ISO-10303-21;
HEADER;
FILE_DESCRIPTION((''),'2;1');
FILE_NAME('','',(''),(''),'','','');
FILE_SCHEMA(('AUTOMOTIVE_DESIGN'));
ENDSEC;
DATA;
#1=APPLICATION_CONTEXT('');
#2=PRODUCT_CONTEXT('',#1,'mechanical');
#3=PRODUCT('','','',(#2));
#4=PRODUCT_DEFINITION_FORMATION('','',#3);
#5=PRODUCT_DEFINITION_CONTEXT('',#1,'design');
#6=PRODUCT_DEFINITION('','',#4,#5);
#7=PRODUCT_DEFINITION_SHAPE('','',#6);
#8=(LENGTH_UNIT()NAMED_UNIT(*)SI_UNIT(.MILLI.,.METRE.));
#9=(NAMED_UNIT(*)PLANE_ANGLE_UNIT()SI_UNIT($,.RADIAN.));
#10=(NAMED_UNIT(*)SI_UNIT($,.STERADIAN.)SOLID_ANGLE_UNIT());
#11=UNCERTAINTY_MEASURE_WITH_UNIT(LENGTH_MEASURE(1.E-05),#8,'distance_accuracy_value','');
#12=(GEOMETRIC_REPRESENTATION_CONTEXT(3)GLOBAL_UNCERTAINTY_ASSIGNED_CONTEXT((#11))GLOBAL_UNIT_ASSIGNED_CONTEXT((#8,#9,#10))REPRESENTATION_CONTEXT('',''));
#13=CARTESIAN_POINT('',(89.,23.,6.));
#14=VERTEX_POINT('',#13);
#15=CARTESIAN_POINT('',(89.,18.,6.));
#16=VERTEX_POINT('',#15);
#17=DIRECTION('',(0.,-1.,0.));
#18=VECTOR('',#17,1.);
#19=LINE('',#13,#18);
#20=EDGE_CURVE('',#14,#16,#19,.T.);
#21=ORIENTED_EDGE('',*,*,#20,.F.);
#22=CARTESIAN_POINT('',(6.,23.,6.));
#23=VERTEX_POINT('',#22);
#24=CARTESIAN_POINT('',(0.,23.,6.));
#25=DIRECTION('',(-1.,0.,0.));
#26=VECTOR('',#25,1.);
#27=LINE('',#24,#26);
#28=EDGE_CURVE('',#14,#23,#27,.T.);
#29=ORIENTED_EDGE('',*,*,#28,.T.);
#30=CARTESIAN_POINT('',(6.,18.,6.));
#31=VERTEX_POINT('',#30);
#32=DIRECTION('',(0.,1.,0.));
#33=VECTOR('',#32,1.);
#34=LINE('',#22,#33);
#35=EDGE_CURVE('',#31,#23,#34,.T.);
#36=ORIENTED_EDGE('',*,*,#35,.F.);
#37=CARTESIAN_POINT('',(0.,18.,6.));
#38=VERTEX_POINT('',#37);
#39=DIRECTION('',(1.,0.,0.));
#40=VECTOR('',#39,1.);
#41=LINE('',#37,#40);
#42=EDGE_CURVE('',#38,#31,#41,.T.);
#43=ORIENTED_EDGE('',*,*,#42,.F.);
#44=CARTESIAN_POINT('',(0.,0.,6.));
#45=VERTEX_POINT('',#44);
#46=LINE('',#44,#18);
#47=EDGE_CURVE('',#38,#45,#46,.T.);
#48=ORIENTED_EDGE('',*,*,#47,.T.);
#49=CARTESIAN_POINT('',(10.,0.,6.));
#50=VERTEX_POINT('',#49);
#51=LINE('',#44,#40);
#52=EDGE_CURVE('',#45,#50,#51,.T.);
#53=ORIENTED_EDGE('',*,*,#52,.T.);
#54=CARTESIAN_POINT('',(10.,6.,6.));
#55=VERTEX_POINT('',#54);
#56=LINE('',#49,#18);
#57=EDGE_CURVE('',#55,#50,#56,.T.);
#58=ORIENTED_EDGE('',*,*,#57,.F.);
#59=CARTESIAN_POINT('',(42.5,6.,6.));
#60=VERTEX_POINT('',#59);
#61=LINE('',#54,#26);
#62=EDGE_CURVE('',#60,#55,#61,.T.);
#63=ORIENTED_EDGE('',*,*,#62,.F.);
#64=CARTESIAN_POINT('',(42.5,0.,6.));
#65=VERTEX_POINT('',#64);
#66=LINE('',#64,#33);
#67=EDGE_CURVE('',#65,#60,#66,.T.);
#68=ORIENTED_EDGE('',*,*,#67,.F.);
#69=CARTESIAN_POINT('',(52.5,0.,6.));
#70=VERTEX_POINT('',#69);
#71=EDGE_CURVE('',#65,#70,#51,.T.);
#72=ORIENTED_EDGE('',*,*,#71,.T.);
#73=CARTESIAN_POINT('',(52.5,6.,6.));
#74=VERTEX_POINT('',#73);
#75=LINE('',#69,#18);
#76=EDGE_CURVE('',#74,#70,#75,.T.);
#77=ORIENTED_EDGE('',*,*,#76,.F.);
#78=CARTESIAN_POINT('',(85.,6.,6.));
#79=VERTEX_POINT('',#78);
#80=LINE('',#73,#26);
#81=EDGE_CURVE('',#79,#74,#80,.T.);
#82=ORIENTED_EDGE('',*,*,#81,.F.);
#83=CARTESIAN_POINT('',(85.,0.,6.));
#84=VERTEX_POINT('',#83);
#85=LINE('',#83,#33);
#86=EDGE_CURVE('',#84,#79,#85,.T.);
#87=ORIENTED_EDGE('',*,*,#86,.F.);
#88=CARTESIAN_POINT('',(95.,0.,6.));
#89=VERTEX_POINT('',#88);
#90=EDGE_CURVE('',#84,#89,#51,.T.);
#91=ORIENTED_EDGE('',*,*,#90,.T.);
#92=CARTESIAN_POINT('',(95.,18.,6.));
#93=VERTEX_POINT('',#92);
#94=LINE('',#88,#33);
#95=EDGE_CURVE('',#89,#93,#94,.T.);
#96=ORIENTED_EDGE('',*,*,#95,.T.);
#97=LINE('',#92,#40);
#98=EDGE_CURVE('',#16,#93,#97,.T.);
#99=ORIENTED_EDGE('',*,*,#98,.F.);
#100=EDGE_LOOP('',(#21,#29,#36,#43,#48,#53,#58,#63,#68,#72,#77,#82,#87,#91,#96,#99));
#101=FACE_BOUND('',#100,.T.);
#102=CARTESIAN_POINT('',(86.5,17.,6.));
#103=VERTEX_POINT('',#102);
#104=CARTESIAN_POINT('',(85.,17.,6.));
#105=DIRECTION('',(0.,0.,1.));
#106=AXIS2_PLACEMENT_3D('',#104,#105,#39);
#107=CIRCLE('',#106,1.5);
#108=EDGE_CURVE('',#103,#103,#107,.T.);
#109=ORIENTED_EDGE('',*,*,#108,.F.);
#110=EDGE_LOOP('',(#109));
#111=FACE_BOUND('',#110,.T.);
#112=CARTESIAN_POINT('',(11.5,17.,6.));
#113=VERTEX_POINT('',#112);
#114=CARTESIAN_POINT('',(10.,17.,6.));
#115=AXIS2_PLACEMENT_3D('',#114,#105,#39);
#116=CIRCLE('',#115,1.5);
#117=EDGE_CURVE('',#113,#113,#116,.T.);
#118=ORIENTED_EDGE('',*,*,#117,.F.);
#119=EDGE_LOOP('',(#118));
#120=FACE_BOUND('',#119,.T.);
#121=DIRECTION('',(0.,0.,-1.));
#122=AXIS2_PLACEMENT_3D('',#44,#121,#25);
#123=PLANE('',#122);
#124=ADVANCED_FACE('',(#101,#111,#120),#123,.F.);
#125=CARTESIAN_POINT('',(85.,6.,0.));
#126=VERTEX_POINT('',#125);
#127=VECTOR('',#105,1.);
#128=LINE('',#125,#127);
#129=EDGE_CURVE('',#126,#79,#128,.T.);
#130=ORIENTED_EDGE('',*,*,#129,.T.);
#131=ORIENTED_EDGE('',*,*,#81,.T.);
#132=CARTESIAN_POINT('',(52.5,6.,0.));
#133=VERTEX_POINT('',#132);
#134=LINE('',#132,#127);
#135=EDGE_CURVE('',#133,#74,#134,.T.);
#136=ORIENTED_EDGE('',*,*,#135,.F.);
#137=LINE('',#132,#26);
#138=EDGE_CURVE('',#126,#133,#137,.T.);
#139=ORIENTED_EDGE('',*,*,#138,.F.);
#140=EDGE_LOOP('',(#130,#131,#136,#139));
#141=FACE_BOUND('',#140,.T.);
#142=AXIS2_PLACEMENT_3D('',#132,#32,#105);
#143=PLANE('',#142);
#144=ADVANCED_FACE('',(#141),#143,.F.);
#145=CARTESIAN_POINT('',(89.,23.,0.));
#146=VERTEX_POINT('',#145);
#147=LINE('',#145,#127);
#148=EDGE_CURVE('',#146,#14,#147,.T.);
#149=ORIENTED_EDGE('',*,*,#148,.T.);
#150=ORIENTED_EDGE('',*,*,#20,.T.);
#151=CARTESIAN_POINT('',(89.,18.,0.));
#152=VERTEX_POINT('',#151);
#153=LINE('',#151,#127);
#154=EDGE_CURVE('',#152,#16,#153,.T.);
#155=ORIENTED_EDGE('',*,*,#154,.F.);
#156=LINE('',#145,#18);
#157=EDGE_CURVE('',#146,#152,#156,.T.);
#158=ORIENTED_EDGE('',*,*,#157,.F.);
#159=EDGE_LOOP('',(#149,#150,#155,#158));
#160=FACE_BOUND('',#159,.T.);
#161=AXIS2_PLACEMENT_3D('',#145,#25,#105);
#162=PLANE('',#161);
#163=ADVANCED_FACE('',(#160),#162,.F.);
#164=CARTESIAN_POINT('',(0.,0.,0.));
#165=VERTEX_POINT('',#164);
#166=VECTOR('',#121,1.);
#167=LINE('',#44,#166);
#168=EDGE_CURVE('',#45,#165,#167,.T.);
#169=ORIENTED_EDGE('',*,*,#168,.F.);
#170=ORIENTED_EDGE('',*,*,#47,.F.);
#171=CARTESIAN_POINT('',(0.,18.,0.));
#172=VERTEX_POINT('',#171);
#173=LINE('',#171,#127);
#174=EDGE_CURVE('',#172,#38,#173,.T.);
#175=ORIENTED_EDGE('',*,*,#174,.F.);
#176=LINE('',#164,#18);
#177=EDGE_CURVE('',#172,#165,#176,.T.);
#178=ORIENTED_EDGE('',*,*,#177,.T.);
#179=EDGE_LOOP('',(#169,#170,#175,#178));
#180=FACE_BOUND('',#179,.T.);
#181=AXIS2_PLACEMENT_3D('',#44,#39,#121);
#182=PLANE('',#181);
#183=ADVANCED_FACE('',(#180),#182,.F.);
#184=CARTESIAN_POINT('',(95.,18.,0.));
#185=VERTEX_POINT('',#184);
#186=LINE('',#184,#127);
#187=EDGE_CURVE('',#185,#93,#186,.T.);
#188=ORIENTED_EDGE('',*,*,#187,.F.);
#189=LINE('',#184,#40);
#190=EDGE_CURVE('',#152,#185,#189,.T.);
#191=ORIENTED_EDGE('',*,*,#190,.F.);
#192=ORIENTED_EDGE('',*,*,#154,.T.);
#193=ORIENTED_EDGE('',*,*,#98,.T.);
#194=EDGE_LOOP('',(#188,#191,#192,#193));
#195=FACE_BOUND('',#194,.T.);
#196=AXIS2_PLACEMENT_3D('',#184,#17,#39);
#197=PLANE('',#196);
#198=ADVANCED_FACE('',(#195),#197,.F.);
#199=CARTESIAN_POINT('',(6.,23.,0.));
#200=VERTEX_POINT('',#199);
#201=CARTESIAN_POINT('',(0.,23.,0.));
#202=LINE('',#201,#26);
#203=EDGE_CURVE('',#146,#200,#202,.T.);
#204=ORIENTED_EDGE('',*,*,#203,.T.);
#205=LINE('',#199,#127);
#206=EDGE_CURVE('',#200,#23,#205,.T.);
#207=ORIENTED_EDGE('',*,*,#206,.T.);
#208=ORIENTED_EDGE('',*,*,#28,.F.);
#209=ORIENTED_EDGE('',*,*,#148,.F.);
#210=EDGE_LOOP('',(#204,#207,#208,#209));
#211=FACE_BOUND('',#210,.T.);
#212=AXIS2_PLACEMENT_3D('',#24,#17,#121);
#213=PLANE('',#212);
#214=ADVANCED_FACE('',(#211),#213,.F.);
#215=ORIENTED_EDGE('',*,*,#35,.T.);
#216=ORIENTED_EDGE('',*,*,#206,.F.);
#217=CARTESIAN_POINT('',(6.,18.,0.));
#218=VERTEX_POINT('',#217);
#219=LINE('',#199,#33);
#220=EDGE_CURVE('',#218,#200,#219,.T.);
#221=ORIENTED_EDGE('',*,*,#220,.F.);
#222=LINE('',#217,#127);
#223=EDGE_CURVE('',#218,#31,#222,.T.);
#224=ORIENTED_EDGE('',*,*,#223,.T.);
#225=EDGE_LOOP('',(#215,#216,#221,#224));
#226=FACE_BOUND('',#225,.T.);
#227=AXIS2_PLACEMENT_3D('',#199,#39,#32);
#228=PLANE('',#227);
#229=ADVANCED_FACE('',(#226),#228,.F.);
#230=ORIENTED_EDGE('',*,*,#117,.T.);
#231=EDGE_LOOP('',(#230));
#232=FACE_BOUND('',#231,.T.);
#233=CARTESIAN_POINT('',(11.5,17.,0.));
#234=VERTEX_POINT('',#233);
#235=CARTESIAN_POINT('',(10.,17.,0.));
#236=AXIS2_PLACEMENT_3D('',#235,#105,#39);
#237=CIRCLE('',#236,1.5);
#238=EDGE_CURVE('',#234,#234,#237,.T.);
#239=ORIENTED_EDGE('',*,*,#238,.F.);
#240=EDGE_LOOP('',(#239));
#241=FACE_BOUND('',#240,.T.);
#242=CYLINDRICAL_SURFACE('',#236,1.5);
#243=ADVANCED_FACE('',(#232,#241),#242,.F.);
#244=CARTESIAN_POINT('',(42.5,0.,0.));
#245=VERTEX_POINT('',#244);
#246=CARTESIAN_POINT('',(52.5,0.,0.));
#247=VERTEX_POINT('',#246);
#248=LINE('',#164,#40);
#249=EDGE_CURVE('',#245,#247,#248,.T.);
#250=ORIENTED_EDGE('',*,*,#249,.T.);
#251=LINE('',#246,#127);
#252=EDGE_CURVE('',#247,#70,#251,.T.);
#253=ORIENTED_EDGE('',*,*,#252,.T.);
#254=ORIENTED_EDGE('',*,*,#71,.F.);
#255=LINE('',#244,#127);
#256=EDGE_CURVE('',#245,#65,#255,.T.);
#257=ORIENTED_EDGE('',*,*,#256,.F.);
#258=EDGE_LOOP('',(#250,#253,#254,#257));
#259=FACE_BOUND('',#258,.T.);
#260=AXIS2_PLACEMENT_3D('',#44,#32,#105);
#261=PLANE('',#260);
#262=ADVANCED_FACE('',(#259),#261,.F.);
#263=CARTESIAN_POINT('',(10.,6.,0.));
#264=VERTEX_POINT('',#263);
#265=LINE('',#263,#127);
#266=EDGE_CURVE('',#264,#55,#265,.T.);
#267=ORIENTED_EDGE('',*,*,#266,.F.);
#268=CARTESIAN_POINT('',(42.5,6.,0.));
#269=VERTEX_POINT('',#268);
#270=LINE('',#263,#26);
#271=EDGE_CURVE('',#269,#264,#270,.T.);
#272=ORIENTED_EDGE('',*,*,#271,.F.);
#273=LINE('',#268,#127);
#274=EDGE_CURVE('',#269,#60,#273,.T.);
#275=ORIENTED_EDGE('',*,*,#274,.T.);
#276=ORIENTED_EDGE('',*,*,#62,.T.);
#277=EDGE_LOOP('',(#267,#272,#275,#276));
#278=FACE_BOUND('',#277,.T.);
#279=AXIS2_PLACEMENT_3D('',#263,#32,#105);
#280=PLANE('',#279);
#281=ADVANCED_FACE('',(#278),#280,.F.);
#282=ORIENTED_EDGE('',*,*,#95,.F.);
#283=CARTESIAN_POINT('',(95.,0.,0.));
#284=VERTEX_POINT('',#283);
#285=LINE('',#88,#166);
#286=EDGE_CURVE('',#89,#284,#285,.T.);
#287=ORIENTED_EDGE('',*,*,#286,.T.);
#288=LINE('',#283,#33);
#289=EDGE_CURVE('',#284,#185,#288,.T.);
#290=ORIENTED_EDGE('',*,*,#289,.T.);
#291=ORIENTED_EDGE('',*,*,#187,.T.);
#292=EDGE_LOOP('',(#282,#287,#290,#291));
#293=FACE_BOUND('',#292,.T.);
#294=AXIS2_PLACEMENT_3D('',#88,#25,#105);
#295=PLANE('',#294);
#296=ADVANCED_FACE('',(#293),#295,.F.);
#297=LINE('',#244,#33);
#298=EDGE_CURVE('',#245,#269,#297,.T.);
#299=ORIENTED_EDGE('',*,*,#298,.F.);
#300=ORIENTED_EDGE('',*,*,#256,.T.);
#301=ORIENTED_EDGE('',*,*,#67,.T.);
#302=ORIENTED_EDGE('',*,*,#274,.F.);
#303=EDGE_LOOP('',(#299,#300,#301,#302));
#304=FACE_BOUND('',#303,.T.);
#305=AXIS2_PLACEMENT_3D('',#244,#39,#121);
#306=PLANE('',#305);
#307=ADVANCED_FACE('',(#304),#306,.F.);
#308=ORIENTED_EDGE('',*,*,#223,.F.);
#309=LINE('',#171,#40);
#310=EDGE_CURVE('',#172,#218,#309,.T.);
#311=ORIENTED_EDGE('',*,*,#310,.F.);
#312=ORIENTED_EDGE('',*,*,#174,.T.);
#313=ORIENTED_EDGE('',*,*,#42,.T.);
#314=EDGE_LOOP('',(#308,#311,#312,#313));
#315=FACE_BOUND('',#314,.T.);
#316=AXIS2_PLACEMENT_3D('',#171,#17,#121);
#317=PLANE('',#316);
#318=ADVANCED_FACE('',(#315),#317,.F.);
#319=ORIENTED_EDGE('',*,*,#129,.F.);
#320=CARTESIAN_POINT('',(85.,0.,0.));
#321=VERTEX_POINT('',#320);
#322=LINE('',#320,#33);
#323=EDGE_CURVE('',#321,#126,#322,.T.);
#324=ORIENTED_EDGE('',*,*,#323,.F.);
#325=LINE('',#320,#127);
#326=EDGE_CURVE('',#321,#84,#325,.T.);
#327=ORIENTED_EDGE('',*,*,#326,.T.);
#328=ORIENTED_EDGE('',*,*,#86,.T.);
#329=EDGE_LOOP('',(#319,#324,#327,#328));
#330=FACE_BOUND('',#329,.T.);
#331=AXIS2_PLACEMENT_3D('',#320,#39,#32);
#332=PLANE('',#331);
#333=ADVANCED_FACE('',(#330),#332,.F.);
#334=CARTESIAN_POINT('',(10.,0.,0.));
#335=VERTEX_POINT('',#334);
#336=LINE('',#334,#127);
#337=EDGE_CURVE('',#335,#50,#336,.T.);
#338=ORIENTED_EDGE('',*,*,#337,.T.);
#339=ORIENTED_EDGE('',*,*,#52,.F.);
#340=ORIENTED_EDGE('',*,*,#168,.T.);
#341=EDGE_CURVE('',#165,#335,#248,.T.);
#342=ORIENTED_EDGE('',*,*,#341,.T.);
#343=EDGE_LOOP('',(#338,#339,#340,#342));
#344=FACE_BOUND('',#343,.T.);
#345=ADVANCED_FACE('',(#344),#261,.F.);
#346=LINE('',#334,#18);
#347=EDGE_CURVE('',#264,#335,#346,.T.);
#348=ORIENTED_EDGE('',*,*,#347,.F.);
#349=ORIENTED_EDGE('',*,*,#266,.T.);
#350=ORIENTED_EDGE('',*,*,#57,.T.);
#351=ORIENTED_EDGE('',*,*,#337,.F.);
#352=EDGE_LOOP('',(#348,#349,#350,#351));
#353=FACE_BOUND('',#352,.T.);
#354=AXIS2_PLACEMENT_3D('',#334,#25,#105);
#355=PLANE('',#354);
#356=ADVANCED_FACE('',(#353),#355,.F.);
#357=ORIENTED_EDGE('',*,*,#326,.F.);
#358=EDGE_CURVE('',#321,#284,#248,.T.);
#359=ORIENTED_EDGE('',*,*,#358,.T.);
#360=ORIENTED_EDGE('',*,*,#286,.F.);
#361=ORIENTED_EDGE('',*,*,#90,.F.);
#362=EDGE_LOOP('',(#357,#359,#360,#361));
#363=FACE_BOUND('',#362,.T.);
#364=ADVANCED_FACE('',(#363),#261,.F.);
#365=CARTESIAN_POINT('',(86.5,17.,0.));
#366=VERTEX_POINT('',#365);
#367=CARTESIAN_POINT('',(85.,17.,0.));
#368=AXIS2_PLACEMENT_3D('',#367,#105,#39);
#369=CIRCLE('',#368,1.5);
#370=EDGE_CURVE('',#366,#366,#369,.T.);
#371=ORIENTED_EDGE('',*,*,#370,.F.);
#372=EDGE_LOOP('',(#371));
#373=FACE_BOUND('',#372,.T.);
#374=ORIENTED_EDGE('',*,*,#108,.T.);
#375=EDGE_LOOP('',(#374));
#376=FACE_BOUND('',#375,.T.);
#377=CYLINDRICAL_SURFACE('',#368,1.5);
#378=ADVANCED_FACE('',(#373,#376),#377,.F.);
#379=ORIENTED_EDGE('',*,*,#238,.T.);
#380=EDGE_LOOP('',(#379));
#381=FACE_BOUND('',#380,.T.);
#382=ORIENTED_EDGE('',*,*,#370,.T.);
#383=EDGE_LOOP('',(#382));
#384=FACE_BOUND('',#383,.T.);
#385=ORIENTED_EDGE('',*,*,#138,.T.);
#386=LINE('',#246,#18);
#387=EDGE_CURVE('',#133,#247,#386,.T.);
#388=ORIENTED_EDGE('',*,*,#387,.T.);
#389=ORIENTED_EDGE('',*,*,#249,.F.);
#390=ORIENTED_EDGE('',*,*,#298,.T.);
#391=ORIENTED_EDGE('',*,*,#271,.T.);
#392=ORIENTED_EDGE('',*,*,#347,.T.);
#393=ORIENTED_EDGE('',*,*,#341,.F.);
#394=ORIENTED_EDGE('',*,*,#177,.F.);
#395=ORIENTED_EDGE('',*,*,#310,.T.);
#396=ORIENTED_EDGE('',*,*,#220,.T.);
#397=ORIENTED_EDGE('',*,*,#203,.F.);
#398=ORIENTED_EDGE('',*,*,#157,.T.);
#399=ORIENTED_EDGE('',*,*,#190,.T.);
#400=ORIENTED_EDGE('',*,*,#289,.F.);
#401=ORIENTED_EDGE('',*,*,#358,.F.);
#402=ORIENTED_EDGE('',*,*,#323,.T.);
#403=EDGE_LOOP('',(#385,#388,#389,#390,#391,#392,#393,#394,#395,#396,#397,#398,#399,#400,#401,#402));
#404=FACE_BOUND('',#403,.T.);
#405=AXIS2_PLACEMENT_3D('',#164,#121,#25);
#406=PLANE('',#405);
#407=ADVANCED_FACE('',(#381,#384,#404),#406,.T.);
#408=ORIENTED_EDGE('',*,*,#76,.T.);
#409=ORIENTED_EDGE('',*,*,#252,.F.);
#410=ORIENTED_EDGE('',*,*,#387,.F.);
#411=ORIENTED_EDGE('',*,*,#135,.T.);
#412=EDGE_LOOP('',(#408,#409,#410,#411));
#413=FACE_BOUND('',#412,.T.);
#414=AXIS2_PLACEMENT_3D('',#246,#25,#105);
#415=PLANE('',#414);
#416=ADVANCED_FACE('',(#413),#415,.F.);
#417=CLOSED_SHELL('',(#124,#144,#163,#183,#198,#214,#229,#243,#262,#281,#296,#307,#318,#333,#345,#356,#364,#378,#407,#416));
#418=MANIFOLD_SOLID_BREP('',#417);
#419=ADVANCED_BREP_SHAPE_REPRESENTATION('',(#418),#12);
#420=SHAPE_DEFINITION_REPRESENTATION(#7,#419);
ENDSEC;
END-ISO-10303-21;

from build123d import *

# Parameters (mm, degrees)
SKETCH1_W           = 95
SKETCH1_H           = 23
BOSS_EXTRUDE1_DEPTH = 6
SKETCH2_W           = 32.5
SKETCH2_H           = 6
CUT_EXTRUDE1_DEPTH  = 7
SKETCH4_R           = 1.5
CUT_EXTRUDE2_DEPTH  = 7
SKETCH5_W           = 6
SKETCH5_H           = 5
CUT_EXTRUDE3_DEPTH  = 7


with BuildPart() as part:
    # Sketch1 → Boss-Extrude1 (new body)
    with BuildSketch(Plane.XY):
        with Locations((47.5, 11.5)):
            Rectangle(SKETCH1_W, SKETCH1_H)
    extrude(amount=BOSS_EXTRUDE1_DEPTH)

    # Sketch2 → Cut-Extrude1 (cut, through all)
    with BuildSketch(Plane.XY.offset(6)):
        with Locations((26.25, 3)):
            Rectangle(SKETCH2_W, SKETCH2_H)
        with Locations((68.75, 3)):
            Rectangle(SKETCH2_W, SKETCH2_H)
    extrude(amount=-CUT_EXTRUDE1_DEPTH, mode=Mode.SUBTRACT)

    # Sketch4 → Cut-Extrude2 (cut, through all)
    with BuildSketch(Plane.XY.offset(6)):
        with Locations((10, 17)):
            Circle(SKETCH4_R)
        with Locations((85, 17)):
            Circle(SKETCH4_R)
    extrude(amount=-CUT_EXTRUDE2_DEPTH, mode=Mode.SUBTRACT)

    # Sketch5 → Cut-Extrude3 (cut, through all)
    with BuildSketch(Plane.XY.offset(6)):
        with Locations((3, 20.5)):
            Rectangle(SKETCH5_W, SKETCH5_H)
        with Locations((92, 20.5)):
            Rectangle(SKETCH5_W, SKETCH5_H)
    extrude(amount=-CUT_EXTRUDE3_DEPTH, mode=Mode.SUBTRACT)


solid = part.part
